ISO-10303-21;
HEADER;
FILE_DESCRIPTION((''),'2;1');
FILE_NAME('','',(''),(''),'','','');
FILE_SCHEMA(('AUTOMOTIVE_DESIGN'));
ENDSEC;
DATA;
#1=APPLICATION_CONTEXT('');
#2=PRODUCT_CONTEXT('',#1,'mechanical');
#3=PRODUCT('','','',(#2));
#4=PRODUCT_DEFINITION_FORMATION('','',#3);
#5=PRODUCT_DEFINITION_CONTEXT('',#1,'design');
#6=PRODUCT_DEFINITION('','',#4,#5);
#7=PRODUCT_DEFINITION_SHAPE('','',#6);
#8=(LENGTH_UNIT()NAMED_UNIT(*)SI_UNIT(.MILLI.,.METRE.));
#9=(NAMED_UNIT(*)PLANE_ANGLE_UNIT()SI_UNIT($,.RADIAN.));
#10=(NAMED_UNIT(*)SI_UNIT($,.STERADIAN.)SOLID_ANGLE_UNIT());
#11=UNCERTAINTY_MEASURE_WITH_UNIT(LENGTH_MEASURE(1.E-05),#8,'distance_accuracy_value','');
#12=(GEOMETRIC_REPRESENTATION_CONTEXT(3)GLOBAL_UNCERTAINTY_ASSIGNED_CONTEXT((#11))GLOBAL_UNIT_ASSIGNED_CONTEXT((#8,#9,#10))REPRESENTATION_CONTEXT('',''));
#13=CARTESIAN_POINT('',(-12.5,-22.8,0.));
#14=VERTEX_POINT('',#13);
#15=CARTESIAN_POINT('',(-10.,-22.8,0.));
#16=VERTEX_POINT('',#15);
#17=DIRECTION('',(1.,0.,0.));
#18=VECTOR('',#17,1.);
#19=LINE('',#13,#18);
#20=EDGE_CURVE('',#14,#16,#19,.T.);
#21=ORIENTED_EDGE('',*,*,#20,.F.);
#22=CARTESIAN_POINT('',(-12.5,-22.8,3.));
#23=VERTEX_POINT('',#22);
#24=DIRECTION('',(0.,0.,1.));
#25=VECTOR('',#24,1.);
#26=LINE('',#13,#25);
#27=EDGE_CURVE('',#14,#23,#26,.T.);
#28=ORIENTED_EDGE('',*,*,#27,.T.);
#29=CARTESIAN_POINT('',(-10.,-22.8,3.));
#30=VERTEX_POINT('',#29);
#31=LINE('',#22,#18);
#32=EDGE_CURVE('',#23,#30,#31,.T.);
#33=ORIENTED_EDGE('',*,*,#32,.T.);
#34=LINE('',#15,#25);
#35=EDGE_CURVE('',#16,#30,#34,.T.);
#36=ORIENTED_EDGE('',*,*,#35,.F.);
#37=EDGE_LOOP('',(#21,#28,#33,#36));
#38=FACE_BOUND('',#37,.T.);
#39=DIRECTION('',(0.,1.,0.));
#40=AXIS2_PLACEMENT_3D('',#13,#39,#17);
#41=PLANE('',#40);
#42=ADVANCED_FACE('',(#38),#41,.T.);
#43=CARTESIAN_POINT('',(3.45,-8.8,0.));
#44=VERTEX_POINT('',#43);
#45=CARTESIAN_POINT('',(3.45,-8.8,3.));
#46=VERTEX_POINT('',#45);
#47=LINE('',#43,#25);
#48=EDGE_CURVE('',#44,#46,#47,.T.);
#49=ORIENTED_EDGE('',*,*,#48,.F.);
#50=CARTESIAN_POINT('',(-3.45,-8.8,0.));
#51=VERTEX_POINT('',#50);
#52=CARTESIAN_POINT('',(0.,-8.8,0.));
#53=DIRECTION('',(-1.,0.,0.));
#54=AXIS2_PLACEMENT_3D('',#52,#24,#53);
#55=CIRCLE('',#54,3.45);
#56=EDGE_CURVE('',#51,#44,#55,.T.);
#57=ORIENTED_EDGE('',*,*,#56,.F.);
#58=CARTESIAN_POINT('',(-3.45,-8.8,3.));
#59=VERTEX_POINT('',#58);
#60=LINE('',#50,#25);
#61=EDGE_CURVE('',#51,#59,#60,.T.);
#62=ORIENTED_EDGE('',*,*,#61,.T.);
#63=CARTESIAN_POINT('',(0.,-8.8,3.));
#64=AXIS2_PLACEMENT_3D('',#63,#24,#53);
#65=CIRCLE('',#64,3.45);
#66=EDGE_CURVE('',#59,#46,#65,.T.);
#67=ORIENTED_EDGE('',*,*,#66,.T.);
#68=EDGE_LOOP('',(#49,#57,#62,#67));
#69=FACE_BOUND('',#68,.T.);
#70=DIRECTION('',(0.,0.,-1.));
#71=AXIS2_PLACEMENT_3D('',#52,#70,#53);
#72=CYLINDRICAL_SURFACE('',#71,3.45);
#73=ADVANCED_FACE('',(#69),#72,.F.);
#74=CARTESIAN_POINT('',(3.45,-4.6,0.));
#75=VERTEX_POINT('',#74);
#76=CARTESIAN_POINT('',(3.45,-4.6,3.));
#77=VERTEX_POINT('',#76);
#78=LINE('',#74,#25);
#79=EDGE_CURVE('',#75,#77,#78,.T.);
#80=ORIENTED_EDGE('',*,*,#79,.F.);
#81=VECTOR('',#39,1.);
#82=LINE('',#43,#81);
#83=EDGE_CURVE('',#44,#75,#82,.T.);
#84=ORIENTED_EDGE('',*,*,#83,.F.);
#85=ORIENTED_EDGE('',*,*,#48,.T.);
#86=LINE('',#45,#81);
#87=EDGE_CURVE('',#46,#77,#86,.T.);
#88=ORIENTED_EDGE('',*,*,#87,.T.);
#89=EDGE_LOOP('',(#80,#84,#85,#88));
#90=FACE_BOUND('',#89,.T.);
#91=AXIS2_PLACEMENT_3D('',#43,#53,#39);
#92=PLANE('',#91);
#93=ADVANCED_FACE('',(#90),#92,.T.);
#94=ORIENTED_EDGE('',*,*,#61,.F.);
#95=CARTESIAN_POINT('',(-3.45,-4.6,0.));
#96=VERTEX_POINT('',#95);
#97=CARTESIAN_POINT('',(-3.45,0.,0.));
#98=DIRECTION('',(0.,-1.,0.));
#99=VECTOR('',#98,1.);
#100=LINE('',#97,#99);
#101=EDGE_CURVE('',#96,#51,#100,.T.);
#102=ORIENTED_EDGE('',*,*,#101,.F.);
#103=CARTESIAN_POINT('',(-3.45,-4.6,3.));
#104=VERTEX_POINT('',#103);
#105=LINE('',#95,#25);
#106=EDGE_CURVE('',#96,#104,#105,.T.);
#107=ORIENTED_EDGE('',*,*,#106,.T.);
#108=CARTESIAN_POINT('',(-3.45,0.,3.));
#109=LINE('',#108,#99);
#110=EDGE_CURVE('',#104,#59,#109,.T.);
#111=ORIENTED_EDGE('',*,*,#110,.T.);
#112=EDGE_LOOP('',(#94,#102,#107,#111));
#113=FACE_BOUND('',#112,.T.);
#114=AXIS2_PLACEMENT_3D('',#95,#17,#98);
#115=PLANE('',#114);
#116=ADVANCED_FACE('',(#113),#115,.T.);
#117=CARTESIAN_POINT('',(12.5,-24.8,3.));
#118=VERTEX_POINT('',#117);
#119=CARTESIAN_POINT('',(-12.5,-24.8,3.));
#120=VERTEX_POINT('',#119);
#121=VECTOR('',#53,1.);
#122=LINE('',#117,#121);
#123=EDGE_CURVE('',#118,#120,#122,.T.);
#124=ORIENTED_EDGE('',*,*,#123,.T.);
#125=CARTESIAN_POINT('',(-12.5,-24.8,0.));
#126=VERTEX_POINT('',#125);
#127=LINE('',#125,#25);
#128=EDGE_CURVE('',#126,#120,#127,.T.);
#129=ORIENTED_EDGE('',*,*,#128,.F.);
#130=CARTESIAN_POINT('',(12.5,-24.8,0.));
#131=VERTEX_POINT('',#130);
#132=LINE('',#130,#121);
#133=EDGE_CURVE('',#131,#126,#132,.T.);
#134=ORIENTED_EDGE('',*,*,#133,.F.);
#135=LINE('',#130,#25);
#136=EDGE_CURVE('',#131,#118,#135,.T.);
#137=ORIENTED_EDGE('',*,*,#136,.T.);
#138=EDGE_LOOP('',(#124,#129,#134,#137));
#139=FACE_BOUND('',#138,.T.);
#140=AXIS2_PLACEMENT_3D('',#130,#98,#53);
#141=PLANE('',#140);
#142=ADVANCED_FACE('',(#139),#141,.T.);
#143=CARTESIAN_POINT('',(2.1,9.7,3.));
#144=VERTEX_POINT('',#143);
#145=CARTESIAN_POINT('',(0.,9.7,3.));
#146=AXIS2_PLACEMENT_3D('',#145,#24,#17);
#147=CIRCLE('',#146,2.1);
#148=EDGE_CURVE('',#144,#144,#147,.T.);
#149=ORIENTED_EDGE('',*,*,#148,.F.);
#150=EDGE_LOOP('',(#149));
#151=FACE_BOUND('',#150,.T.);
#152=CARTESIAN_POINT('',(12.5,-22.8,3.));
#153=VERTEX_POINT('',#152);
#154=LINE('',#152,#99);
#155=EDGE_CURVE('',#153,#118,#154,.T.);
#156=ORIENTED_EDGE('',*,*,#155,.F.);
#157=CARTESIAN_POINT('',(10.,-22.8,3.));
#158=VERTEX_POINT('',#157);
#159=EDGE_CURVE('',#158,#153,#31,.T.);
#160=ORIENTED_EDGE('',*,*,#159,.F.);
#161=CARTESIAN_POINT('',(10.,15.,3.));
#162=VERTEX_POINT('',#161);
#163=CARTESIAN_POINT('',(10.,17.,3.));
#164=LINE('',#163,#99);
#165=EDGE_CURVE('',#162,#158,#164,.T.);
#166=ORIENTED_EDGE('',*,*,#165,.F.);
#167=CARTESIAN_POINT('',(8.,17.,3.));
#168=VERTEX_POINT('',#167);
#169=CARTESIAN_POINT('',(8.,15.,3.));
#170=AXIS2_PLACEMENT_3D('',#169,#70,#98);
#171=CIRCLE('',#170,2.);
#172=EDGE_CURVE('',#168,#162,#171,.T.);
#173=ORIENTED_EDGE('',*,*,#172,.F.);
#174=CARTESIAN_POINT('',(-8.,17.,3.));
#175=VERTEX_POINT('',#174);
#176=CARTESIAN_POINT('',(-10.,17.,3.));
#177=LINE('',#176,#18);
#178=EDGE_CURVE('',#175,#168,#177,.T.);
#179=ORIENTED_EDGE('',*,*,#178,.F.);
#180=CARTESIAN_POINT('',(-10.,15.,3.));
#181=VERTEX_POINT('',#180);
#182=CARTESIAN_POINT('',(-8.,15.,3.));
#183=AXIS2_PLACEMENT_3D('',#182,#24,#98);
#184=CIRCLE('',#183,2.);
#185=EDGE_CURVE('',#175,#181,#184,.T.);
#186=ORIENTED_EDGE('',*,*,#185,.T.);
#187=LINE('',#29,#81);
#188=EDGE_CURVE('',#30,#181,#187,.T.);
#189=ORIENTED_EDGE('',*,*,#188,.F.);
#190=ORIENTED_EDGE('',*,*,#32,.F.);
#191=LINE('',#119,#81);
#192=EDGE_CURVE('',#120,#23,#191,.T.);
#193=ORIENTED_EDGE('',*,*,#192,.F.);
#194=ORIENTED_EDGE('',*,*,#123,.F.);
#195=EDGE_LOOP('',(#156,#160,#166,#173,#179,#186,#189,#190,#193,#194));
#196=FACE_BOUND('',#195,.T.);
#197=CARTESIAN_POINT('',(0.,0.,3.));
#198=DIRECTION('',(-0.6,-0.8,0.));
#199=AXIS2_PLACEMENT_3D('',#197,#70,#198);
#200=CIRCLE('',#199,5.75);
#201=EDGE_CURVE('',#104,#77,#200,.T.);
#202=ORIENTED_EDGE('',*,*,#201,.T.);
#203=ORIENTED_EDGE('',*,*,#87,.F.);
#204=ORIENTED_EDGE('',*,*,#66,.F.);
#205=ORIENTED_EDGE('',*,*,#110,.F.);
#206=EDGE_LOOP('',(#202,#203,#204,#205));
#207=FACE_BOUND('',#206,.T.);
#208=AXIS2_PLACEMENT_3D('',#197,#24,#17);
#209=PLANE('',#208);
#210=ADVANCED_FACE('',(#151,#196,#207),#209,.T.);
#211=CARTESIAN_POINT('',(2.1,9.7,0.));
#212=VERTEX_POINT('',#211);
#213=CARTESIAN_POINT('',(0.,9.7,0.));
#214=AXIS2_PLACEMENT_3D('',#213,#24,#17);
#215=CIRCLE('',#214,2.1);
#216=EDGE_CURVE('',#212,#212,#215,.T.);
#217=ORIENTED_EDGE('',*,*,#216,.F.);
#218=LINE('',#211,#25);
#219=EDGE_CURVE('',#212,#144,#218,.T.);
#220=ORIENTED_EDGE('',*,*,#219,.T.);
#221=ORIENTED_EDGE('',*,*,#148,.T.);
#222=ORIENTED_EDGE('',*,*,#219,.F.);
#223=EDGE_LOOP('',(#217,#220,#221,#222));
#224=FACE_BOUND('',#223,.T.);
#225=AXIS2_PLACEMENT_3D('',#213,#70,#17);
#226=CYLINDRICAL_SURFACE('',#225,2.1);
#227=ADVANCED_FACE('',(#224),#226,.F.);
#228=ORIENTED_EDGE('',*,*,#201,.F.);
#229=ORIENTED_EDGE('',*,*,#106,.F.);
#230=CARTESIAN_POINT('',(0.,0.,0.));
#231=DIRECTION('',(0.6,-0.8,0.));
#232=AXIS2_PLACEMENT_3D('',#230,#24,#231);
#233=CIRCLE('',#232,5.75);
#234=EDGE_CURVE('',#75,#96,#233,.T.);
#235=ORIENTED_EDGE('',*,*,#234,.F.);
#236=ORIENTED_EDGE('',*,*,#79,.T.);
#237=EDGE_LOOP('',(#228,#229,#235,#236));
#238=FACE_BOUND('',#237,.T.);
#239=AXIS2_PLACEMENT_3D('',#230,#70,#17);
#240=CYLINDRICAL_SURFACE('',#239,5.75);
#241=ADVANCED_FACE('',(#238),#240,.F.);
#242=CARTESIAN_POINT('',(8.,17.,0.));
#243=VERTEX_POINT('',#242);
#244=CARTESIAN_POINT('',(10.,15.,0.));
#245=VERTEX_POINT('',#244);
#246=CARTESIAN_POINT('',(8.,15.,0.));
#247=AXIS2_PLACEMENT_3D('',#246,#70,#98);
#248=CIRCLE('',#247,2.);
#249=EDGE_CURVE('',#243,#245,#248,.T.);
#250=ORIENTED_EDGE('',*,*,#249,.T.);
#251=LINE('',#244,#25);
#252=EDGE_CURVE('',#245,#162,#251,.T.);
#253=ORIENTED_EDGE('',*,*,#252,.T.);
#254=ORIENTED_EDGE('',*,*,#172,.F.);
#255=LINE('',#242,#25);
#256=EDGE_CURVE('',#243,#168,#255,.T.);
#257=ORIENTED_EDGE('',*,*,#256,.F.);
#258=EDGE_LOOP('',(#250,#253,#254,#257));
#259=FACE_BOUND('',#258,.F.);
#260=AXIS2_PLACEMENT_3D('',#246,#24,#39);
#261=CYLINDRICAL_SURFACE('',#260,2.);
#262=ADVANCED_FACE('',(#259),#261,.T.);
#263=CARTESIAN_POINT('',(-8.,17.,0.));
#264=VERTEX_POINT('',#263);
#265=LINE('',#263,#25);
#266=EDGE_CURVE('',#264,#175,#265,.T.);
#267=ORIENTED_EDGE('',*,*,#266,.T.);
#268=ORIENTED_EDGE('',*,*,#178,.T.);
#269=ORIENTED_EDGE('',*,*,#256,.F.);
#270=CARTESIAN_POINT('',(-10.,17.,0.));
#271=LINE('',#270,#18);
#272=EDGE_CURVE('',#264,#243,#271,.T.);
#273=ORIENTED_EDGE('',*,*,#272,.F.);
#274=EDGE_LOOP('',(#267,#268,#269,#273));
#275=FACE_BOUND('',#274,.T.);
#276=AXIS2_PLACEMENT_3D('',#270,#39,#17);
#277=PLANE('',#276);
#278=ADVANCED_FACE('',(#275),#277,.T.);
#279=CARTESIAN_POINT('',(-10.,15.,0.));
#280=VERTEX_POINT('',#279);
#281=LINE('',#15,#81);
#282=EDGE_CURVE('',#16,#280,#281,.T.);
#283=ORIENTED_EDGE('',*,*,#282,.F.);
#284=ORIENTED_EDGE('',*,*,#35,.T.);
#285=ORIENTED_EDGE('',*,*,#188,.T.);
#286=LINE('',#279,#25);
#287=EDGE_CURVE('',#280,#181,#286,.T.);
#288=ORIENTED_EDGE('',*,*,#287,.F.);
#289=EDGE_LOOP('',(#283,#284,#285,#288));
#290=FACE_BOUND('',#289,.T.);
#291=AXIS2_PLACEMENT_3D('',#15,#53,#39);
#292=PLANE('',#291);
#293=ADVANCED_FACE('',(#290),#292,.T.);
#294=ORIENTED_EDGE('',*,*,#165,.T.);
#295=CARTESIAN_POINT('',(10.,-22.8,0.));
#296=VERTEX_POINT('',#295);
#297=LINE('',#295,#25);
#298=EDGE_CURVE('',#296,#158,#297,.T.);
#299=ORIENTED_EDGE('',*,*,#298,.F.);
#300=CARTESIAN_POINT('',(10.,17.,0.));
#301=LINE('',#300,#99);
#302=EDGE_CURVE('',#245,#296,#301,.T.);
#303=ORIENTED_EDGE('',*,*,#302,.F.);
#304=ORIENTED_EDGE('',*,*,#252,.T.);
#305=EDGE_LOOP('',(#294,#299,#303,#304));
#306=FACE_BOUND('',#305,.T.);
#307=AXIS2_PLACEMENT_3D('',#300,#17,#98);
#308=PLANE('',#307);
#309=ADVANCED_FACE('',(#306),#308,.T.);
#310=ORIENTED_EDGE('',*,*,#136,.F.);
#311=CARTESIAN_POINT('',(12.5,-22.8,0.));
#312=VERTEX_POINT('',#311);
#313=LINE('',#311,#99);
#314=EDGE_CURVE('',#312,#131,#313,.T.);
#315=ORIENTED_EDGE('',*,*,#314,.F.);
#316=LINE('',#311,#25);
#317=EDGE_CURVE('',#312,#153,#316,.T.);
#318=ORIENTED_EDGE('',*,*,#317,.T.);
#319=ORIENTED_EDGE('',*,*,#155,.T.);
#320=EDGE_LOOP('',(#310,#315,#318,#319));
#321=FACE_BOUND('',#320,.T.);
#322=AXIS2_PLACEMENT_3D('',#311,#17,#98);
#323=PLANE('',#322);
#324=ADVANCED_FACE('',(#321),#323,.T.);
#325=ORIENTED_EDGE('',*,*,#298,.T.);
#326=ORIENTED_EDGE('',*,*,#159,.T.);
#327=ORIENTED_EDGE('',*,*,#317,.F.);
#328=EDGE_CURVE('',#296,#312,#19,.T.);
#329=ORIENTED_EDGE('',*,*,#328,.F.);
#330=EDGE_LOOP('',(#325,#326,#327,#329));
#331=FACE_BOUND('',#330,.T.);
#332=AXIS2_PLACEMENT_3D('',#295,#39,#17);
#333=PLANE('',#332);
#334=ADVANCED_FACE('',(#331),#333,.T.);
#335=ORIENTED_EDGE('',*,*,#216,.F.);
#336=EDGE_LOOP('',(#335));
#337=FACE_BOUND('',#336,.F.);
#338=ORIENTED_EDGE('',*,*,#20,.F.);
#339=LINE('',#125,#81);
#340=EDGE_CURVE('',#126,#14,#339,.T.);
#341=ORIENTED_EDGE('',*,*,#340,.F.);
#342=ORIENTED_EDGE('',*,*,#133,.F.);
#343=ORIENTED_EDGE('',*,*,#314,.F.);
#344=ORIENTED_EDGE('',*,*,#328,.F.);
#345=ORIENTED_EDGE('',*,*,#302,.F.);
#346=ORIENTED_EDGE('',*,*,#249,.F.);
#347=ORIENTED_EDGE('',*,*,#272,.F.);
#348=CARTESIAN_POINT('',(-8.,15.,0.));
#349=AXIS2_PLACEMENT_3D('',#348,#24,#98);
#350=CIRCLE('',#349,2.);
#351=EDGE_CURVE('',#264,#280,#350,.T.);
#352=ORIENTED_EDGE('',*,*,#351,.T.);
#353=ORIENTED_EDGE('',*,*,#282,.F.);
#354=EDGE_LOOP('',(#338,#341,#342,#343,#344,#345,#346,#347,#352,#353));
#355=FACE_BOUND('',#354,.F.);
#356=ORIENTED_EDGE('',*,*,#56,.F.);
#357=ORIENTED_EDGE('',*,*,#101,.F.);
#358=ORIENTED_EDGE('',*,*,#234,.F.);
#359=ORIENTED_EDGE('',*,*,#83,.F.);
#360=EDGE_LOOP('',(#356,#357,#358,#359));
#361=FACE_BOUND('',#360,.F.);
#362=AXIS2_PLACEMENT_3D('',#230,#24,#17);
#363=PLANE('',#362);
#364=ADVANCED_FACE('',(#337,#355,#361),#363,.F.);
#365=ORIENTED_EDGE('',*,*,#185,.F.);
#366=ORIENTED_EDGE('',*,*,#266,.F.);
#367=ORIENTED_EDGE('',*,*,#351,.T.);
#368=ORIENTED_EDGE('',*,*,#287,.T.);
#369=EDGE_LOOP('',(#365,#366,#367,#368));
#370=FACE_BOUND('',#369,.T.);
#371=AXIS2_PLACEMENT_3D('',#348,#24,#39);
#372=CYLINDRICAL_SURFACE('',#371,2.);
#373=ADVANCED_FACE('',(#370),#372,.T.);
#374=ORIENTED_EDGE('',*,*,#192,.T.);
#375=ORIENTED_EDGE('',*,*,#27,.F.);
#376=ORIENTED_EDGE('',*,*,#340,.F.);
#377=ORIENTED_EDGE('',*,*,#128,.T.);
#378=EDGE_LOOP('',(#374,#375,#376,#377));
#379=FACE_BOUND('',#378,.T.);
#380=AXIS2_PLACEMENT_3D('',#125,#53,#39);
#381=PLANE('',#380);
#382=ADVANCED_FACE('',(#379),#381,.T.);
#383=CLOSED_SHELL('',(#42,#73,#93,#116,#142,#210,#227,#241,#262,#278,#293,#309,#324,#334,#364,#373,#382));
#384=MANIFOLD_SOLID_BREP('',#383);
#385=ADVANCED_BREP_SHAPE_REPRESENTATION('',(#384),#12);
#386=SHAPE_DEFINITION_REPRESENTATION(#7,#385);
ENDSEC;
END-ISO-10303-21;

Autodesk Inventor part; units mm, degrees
ref_plane "YZ Plane" through (0, 0, 0) normal (1, 0, 0) x (0, 1, 0)
ref_plane "XZ Plane" through (0, 0, 0) normal (0, 1, 0) x (-1, 0, 0)
ref_plane "XY Plane" through (0, 0, 0) normal (0, 0, 1) x (1, 0, 0)
sketch "Sketch1" plane through (0, 0, 0) normal (0, 0, 1) x (1, 0, 0)
  circle A0 centre (0, 0) radius 5.75
  line L0 (0, 0) -> (0, -8.8) construction
  line L1 (-3.45, 0) -> (-3.45, -8.8)
  line L2 (3.45, -8.8) -> (3.45, 0)
  arc A1 (3.45, 0) -> (-3.45, 0) centre (0, 0) ccw
  arc A2 (-3.45, -8.8) -> (3.45, -8.8) centre (0, -8.8) ccw
  line L3 (-10, 17) -> (10, 17)
  line L4 (10, 17) -> (10, -22.8)
  line L5 (10, -22.8) -> (-10, -22.8)
  line L6 (-10, -22.8) -> (-10, 17)
  circle A3 centre (0, 9.7) radius 2.1
  line L7 (-12.5, -22.8) -> (12.5, -22.8)
  line L8 (12.5, -22.8) -> (12.5, -24.8)
  line L9 (12.5, -24.8) -> (-12.5, -24.8)
  line L10 (-12.5, -24.8) -> (-12.5, -22.8)
  point P0 (0, -4.4)
  point P1 (-3.45, -4.6)
  point P2 (3.45, -4.6)
  dimension "d0" = 11.5
  dimension "d1" = 6.9
  dimension "d2" = 18
  dimension "d3" = 20
  dimension "d4" = 10
  dimension "d5" = 17
  dimension "d6" = 14
  dimension "d7" = 4.2
  dimension "d8" = 18.5
  dimension "d9" = 10
  dimension "d12" = 25
  dimension "d13" = 14
  dimension "d14" = 2.5
  dimension "d15" = 2
extrude "Extrusion1" add sketch "Sketch1" along normal blind 3
fillet "Fillet1" radius 2 2 edges at (10, 17, 1.5) (-10, 17, 1.5)
equation "\"d4\" = 0.5 * d3"
equation "\"d9\" = d4"
equation "\"d14\" = -0.5 * d3 + 0.5 * d12"
properties part number "vtail_slide_in"
